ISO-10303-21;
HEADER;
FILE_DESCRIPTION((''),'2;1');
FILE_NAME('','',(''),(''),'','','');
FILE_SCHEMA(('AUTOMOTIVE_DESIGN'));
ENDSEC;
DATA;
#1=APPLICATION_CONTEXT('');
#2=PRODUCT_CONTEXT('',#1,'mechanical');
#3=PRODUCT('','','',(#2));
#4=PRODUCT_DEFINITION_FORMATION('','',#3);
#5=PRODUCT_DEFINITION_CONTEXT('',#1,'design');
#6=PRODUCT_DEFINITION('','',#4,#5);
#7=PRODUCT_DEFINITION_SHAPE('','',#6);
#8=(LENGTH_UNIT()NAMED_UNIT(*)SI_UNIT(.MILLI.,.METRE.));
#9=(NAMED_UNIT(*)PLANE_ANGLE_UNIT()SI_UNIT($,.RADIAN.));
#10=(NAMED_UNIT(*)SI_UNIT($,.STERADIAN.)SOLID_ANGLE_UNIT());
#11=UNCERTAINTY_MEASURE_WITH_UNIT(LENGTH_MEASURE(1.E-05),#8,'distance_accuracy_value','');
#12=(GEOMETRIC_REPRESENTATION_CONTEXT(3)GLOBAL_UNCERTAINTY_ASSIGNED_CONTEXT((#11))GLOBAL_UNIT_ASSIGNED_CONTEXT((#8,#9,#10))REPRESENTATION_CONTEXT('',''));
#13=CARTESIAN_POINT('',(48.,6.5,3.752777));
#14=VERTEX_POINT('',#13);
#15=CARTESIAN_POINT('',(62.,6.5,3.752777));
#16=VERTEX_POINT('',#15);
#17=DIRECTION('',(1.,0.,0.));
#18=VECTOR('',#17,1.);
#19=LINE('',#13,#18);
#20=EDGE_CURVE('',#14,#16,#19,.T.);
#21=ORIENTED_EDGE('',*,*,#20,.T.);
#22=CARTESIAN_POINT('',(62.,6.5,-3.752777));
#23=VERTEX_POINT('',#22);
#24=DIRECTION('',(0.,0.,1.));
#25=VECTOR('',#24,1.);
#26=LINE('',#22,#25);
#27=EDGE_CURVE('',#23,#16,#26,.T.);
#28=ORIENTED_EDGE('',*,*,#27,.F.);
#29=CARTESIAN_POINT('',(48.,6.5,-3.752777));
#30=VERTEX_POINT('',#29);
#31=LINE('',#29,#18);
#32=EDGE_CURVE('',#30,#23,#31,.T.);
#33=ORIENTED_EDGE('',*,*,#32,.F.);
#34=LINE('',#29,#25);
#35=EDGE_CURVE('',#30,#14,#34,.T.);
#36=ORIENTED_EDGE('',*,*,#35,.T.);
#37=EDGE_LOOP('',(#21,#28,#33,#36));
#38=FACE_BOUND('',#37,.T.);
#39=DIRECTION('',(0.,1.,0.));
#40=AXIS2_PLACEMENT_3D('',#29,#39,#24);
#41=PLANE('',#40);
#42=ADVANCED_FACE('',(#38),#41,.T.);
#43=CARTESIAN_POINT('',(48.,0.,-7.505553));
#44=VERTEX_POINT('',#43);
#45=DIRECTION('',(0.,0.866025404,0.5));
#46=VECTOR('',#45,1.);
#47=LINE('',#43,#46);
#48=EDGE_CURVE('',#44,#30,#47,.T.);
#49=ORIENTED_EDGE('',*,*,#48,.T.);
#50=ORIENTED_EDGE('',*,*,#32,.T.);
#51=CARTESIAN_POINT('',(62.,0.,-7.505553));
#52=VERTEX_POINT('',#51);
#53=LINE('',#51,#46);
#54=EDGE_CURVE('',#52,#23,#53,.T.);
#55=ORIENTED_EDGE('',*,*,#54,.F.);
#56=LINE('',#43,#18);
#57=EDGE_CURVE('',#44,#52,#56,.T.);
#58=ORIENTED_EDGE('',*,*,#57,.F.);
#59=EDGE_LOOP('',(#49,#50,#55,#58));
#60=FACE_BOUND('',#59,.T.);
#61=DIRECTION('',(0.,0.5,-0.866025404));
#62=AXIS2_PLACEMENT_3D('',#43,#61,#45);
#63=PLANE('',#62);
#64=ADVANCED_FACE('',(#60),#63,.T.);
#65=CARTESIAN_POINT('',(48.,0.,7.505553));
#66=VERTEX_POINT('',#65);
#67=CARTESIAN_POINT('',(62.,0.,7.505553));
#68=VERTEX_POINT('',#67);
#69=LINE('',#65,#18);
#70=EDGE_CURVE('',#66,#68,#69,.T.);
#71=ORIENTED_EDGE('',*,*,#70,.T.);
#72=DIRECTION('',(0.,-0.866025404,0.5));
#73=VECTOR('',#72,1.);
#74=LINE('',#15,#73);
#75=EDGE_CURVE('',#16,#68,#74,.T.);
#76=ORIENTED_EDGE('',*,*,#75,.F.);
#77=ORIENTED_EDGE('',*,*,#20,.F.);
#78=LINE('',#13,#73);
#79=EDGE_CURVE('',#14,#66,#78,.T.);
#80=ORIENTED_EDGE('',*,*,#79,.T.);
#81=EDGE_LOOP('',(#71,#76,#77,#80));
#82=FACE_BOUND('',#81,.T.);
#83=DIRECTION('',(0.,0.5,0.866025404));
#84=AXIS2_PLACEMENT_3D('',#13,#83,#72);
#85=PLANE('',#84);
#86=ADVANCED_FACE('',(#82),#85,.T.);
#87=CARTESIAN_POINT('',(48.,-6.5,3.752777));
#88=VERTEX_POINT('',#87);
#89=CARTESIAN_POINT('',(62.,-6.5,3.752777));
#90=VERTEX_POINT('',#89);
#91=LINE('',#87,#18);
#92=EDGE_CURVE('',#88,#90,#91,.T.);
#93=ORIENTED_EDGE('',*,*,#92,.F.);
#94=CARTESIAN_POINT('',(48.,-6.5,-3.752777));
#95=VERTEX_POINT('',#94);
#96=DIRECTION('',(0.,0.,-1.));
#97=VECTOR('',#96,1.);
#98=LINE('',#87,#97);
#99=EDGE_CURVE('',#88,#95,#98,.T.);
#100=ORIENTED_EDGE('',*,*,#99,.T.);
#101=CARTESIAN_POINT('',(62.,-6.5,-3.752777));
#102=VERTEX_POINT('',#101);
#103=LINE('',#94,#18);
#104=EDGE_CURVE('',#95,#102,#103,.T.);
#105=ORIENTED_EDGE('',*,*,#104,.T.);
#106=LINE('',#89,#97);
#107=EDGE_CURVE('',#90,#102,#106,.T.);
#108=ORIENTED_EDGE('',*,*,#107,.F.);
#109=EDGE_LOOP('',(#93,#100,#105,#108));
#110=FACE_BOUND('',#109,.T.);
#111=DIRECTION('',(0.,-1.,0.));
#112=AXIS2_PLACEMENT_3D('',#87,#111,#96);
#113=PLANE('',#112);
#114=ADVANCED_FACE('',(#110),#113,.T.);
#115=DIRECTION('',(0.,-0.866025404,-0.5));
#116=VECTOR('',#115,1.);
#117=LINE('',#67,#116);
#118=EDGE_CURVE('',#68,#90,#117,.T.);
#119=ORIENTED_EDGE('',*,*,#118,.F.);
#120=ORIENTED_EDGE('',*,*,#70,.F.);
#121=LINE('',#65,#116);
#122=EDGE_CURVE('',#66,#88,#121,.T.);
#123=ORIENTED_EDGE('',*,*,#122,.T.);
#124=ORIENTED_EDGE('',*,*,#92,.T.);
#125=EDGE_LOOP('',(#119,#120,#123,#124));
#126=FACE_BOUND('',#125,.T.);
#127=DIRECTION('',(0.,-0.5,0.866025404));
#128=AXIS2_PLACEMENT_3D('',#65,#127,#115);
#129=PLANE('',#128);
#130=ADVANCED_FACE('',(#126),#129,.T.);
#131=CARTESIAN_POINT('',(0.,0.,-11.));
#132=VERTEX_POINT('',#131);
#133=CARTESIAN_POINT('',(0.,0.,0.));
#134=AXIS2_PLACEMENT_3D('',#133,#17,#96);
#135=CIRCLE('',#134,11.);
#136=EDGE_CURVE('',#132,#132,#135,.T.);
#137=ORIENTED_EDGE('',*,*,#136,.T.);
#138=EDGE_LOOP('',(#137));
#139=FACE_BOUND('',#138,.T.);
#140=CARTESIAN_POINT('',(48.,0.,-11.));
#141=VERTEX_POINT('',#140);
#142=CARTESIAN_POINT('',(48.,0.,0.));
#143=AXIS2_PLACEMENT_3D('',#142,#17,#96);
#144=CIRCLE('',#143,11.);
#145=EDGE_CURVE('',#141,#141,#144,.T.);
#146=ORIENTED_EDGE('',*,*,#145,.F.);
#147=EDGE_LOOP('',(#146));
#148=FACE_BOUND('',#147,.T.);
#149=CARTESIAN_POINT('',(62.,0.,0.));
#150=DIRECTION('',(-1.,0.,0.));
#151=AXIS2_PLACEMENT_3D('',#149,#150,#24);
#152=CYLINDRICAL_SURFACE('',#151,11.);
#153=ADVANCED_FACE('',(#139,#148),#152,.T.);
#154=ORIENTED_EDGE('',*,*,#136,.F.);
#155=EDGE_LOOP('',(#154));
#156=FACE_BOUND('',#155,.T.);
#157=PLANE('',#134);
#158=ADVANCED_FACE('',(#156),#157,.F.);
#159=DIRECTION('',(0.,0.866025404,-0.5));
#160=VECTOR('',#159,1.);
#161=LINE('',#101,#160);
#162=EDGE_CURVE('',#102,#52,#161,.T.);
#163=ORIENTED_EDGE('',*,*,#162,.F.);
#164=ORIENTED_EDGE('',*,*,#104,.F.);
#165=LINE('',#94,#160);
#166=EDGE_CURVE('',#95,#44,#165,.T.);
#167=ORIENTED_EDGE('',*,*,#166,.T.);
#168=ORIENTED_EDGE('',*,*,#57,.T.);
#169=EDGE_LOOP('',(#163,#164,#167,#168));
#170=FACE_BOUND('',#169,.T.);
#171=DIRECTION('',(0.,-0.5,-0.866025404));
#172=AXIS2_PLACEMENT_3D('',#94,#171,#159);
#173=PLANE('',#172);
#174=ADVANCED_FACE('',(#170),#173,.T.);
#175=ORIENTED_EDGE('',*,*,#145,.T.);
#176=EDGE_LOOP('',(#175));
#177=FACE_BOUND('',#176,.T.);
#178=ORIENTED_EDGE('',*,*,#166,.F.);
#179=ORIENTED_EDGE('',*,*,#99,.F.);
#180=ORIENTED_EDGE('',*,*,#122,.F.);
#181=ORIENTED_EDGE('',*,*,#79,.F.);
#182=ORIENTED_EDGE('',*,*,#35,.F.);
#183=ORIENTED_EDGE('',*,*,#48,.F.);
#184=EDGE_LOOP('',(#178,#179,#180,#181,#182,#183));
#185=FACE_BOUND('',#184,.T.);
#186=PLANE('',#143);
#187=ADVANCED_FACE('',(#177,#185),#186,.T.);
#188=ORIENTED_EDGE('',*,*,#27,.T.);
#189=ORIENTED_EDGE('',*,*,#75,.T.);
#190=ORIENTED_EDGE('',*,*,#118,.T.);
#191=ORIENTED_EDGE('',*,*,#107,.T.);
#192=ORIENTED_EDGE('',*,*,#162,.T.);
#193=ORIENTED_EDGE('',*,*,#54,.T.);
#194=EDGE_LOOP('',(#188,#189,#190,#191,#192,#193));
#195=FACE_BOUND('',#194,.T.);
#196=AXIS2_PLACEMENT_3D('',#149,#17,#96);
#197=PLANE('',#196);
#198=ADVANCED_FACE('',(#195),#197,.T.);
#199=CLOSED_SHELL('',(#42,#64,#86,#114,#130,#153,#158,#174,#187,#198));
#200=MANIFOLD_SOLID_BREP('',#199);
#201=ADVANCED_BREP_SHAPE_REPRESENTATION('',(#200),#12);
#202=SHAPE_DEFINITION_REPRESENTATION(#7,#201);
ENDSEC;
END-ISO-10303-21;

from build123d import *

# Parameters (mm, degrees)
ESBO_O1_R                = 11
RESSALTO_EXTRUS_O1_DEPTH = 62
CORTE_EXTRUS_O1_START    = -14
ESBO_O2_R                = 11
CORTE_EXTRUS_O1_DEPTH    = 14


with BuildPart() as part:
    # Esboço1 → Ressalto-extrusão1 (new body)
    with BuildSketch(Plane.YZ):
        with Locations(Location((0, 0, 0), (0, 0, 270))):
            Circle(ESBO_O1_R)
    extrude(amount=RESSALTO_EXTRUS_O1_DEPTH)

    # Esboço2 → Corte-extrusão1 (cut)
    with BuildSketch(Plane.YZ.offset(62).offset(CORTE_EXTRUS_O1_START)):
        with Locations(Location((0, 0, 0), (0, 0, 270))):
            Circle(ESBO_O2_R)
        Polygon((0, 7.505553499), (-6.5, 3.75277675), (-6.5, -3.75277675), (0, -7.505553499), (6.5, -3.75277675), (6.5, 3.75277675), align=None, mode=Mode.SUBTRACT)
    extrude(amount=CORTE_EXTRUS_O1_DEPTH, mode=Mode.SUBTRACT)


solid = part.part
